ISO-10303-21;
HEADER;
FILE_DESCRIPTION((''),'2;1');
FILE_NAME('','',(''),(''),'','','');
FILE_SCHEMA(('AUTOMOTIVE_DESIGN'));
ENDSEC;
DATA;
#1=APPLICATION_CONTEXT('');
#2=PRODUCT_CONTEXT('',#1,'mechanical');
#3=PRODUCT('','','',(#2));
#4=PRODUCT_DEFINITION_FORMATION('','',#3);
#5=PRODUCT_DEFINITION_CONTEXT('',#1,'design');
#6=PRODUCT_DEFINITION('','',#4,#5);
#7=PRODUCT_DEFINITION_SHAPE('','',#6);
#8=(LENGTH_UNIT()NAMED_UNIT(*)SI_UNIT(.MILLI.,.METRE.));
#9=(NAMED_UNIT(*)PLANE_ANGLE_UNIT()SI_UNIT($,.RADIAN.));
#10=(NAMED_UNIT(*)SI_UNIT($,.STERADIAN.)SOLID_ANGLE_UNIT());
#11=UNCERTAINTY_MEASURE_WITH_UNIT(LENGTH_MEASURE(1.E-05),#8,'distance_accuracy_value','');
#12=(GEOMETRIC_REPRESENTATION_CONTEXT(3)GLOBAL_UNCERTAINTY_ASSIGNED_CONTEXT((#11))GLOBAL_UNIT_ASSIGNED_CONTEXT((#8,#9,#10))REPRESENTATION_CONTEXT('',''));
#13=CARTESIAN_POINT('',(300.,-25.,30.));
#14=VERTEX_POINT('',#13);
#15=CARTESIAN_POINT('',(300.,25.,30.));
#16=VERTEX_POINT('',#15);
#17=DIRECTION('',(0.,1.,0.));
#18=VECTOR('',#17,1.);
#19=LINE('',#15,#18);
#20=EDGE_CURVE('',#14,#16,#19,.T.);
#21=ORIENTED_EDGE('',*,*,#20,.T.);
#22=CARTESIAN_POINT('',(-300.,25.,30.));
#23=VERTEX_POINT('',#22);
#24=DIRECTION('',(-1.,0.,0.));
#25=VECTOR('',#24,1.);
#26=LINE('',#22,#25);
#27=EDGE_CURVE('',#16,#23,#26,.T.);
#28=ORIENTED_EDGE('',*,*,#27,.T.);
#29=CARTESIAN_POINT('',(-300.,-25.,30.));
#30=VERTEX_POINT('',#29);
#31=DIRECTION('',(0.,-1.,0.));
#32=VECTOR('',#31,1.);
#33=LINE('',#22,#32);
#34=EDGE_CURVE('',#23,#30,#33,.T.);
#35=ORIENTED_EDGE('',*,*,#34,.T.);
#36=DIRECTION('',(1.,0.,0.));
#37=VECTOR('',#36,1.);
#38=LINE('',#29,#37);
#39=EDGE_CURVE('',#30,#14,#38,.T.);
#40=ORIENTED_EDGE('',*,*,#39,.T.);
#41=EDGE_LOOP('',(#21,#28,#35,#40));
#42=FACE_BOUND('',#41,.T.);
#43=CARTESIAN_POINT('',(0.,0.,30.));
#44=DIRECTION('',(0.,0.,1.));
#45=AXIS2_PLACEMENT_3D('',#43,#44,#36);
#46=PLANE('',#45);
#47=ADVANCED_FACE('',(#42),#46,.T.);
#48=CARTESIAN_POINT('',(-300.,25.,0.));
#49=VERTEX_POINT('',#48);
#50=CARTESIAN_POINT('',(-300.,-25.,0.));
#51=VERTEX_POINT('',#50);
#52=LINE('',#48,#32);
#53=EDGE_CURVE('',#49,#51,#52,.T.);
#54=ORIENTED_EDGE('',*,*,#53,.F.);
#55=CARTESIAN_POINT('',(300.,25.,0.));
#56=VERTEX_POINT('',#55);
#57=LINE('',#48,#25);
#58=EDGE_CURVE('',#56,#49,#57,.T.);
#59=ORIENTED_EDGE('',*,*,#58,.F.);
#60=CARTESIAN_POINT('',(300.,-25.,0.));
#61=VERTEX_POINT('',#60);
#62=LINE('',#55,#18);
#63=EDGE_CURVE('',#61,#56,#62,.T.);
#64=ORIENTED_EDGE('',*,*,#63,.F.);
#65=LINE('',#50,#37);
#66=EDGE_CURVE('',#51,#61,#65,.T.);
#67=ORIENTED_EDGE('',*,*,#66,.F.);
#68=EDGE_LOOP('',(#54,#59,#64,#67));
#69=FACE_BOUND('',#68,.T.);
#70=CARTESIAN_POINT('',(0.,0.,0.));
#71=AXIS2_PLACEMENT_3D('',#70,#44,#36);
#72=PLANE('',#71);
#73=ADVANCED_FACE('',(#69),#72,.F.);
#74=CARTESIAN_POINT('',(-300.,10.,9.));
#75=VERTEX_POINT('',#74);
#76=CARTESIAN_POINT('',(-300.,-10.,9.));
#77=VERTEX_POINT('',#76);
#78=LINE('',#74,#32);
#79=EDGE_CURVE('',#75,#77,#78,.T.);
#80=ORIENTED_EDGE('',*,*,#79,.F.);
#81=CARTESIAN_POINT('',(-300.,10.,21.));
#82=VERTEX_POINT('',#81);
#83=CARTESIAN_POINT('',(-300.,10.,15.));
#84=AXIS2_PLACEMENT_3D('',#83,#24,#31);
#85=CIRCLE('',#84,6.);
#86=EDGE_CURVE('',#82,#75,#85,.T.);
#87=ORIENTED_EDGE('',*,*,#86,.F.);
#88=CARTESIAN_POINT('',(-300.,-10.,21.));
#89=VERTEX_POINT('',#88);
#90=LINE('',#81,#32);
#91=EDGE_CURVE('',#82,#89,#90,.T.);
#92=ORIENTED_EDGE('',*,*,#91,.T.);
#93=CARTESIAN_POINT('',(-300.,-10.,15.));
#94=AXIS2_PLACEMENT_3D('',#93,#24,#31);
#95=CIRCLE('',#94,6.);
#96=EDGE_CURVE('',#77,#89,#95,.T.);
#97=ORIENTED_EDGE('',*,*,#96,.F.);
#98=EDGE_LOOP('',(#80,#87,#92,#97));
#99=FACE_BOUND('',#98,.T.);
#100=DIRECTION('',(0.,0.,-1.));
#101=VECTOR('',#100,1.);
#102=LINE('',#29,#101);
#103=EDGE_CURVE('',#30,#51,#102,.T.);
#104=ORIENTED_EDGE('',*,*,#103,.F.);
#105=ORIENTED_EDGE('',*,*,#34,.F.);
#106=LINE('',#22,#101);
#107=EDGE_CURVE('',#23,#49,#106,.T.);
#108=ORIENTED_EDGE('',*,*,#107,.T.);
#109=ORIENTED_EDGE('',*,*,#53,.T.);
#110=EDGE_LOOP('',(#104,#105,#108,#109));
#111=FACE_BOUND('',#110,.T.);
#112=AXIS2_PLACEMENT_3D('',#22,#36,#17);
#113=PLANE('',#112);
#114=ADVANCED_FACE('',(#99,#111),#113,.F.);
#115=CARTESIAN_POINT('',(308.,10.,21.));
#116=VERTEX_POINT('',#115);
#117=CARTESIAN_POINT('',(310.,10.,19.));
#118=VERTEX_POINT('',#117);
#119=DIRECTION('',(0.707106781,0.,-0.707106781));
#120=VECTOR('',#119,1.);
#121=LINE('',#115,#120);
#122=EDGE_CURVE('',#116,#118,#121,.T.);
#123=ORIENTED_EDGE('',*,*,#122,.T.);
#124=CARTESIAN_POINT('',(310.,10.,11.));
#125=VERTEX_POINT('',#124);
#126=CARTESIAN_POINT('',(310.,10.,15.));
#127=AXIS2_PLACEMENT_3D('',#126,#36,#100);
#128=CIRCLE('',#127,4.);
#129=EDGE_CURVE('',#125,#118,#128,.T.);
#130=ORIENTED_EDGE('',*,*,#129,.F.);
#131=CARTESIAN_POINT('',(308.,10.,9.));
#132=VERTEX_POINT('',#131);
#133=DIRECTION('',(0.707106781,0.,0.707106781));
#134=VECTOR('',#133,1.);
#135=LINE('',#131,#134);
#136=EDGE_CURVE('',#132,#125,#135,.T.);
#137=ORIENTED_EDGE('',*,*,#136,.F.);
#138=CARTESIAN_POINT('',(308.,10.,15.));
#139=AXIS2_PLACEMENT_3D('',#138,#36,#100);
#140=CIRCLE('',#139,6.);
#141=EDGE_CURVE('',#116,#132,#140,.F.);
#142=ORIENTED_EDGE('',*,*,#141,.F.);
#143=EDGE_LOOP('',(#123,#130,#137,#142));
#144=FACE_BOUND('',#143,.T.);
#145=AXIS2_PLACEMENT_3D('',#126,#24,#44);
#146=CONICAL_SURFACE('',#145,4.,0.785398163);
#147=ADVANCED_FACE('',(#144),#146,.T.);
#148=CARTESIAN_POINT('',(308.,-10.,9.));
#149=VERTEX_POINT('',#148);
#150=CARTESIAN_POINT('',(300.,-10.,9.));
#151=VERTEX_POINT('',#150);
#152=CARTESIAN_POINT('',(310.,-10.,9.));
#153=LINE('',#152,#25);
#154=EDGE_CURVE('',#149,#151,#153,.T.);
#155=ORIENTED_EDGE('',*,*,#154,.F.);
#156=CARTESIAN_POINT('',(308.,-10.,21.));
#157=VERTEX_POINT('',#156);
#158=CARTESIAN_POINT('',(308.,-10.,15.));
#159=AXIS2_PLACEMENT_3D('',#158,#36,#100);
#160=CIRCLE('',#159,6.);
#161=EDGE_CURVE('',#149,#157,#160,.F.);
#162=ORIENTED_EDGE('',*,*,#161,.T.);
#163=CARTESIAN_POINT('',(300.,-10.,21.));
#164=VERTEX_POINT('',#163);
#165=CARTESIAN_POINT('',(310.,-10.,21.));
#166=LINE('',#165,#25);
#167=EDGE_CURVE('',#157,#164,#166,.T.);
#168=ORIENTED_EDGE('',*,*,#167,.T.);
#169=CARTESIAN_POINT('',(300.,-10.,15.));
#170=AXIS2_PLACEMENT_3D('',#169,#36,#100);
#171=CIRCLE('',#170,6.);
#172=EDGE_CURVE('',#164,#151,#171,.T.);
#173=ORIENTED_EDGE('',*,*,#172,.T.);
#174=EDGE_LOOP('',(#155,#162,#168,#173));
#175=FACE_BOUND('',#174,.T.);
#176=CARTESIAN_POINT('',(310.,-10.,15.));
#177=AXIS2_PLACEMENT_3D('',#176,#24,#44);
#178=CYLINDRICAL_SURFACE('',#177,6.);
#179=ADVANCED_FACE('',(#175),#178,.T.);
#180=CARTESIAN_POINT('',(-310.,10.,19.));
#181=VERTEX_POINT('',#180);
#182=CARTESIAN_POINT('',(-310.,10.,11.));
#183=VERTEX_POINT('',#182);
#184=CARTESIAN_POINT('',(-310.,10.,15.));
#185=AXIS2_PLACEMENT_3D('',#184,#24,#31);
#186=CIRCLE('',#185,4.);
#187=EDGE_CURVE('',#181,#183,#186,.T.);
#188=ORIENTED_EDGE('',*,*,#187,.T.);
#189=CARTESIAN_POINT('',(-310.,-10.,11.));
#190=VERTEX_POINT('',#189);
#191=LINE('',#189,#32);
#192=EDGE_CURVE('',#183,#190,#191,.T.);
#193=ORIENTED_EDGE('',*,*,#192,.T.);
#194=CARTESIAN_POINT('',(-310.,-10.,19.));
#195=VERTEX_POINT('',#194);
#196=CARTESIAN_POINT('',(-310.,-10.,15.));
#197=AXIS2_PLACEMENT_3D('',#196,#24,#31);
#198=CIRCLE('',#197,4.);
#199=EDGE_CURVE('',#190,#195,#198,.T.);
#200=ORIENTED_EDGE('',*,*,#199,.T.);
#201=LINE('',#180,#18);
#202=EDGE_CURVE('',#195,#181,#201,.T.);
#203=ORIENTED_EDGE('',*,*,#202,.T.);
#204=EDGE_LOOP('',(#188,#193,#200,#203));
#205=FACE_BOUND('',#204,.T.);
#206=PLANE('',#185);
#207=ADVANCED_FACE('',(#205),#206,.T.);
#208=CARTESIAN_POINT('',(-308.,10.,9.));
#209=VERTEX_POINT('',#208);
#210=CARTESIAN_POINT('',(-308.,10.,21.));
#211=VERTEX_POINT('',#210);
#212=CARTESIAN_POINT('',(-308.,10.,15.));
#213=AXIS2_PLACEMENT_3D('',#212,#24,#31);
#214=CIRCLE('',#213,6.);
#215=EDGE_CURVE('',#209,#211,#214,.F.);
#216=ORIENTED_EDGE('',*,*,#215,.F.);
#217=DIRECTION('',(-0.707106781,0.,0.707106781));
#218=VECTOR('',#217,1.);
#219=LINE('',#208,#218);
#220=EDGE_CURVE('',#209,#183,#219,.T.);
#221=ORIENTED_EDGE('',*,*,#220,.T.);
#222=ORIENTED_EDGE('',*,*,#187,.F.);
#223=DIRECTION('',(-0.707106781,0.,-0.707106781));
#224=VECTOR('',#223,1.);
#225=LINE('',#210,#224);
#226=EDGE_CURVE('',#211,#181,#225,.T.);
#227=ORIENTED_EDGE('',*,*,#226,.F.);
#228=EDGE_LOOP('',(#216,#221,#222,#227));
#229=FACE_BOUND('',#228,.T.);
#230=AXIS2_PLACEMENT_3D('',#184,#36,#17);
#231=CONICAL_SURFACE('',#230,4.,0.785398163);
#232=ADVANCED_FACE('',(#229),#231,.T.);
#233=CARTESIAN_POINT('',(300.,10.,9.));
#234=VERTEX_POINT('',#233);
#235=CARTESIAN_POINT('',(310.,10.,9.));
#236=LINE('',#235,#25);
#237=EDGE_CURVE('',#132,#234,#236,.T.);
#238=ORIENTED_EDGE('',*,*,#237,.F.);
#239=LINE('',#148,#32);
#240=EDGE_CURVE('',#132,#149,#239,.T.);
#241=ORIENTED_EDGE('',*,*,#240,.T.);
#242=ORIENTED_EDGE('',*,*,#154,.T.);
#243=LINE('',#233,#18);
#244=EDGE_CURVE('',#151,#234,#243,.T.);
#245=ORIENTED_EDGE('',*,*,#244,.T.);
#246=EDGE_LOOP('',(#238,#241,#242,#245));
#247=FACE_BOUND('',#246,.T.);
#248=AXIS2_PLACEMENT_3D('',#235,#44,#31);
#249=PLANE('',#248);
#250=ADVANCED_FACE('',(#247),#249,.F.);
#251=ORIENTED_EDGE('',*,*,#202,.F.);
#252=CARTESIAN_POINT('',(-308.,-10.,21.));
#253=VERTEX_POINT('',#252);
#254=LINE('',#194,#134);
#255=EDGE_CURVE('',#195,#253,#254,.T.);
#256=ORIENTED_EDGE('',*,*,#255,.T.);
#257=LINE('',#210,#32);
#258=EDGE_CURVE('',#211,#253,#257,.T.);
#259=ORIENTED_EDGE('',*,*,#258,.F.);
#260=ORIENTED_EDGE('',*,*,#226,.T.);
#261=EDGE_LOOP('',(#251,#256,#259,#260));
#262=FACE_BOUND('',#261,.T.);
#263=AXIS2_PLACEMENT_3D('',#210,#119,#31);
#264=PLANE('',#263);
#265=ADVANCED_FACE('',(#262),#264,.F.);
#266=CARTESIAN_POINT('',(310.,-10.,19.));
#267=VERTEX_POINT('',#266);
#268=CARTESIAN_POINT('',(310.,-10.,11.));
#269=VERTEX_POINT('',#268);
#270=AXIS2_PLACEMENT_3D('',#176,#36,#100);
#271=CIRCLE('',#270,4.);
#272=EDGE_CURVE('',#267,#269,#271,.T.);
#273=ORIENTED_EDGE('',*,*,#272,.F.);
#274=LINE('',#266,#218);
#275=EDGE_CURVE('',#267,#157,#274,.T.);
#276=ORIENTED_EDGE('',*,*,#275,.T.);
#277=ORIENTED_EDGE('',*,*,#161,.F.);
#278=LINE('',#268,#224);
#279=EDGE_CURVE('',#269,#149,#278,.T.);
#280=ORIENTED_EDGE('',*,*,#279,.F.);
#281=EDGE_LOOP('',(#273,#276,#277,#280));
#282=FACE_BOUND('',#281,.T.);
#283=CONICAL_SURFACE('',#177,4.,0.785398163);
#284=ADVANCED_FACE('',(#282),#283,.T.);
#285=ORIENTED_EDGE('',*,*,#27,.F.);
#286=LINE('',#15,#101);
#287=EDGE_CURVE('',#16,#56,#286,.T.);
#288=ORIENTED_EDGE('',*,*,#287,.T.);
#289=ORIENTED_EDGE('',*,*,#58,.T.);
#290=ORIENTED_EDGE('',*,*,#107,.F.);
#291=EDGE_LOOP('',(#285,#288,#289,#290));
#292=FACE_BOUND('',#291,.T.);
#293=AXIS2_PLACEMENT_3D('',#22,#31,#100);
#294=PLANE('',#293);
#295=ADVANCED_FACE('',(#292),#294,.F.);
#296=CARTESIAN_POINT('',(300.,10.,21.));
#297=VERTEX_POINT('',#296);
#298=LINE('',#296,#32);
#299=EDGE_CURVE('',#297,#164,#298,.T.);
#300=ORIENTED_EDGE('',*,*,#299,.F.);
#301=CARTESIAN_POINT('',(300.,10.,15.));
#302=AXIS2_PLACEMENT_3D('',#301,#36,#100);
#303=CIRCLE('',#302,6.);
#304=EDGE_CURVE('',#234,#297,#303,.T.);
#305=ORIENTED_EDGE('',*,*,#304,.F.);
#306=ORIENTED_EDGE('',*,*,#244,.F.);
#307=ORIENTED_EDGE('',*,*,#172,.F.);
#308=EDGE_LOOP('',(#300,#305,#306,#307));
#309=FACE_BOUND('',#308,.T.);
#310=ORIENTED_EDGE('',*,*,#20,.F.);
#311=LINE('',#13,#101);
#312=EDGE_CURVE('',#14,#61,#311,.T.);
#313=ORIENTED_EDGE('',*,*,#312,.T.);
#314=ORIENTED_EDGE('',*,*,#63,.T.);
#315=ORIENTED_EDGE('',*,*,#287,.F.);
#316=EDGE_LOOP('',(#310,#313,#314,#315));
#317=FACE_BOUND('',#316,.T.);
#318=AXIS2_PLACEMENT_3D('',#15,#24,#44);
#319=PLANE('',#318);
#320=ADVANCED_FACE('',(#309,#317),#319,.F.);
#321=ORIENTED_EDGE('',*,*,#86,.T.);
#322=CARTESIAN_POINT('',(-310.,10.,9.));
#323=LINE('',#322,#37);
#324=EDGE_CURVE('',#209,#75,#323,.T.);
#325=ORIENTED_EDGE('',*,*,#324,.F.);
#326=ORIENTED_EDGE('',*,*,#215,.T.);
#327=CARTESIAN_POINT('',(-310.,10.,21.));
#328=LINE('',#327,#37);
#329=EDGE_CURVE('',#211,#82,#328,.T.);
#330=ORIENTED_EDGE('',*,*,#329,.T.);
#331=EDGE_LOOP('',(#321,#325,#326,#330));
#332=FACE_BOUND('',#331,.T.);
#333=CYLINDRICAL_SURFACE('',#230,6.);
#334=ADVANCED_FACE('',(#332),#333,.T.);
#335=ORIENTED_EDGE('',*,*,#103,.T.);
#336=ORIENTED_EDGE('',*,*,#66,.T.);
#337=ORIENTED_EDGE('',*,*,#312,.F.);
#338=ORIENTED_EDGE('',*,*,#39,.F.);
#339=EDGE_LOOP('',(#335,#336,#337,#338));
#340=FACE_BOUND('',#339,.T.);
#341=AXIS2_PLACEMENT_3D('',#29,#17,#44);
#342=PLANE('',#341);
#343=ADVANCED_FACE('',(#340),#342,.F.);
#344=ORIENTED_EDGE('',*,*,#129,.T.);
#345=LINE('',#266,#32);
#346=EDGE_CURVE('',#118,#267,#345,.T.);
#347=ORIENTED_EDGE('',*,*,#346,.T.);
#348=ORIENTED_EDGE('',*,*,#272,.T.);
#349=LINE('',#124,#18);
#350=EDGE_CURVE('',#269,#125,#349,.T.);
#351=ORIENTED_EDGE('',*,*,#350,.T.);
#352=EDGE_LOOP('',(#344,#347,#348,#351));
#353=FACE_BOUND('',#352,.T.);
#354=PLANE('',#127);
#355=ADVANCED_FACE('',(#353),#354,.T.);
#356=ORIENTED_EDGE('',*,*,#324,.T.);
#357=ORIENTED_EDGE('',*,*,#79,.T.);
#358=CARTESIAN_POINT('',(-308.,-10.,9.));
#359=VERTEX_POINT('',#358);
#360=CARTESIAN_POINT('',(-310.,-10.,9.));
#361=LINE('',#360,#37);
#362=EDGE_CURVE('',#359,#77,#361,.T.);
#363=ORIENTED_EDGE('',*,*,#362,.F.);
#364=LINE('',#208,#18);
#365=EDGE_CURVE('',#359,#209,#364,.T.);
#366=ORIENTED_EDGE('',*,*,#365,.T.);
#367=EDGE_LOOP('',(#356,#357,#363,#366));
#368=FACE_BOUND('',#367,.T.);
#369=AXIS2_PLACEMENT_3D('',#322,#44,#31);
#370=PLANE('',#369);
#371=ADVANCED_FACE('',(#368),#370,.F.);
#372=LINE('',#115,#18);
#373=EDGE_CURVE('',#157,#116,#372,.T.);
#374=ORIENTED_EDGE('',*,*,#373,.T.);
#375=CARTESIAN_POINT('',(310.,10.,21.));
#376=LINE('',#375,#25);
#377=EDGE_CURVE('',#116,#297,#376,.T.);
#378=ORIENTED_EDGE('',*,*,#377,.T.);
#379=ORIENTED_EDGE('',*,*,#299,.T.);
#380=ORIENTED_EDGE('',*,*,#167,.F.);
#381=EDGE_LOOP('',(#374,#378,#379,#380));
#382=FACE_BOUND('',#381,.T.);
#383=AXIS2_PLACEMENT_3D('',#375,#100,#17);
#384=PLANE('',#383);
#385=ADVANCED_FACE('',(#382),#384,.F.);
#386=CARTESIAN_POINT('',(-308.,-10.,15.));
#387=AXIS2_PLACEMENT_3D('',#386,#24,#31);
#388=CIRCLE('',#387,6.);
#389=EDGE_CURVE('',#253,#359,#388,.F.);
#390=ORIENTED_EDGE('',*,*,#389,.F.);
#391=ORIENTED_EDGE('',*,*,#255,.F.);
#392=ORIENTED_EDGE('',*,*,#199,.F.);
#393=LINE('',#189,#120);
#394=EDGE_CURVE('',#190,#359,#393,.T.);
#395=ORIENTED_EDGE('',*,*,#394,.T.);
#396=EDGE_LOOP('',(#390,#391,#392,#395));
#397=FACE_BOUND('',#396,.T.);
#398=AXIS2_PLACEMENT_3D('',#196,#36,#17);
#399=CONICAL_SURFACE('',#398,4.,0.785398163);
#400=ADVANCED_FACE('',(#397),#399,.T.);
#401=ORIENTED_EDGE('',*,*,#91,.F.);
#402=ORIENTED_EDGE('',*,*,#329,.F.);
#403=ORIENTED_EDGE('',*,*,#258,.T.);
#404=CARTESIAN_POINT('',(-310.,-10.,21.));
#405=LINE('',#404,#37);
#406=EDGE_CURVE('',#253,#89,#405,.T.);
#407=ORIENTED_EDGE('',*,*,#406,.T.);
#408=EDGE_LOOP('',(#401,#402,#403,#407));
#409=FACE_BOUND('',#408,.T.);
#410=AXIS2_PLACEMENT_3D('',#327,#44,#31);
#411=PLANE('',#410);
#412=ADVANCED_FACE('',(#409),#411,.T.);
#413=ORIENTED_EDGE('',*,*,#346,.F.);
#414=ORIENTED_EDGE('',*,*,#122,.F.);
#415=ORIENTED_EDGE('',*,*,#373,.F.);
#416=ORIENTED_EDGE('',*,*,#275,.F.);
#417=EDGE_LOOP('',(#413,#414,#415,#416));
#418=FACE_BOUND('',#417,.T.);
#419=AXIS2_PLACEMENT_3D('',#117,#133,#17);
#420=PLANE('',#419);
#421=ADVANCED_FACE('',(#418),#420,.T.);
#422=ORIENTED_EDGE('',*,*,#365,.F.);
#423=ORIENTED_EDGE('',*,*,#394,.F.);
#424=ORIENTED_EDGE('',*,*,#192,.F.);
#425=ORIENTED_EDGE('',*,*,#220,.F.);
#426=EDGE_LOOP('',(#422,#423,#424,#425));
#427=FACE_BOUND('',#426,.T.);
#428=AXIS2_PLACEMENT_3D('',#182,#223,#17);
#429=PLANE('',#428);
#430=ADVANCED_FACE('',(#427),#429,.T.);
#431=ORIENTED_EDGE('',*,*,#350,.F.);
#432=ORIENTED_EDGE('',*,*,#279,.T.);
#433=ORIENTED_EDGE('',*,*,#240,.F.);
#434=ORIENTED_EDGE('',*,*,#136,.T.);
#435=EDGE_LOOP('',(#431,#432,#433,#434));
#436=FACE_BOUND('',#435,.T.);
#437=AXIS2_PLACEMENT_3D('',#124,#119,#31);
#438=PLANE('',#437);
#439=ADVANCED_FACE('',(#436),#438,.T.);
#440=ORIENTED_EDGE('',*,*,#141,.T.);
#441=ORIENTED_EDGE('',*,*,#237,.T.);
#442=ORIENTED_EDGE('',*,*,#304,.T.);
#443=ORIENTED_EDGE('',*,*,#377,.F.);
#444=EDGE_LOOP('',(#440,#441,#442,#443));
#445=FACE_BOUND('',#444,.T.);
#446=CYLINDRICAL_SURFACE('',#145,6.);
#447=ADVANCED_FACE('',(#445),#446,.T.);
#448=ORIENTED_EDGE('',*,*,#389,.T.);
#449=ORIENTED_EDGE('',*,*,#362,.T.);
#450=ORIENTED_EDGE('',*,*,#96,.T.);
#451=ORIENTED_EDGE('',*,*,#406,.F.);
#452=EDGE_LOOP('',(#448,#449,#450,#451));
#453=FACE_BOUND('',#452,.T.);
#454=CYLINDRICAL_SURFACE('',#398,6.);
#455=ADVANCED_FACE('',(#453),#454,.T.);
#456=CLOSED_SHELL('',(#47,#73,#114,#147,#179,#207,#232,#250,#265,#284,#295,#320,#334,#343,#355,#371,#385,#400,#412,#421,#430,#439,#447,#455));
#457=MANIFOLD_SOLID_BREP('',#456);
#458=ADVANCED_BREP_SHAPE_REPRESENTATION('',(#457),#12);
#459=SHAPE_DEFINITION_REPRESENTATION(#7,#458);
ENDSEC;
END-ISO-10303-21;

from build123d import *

# Parameters (mm, degrees)
ESQUISSE1_W        = 600
ESQUISSE1_H        = 50
BOSS_EXTRU_1_DEPTH = 30
BOSS_EXTRU_2_DEPTH = 10
CHANFREIN1_SIZE    = 2
BOSS_EXTRU_3_DEPTH = 10
CHANFREIN2_SIZE    = 2


with BuildPart() as part:
    # Esquisse1 → Boss.-Extru.1 (new body)
    with BuildSketch(Plane.XY):
        Rectangle(ESQUISSE1_W, ESQUISSE1_H)
    extrude(amount=BOSS_EXTRU_1_DEPTH)

    # Esquisse2 → Boss.-Extru.2 (add)
    with BuildSketch(Plane(origin=(300, 0, 0), x_dir=(0, 0, -1), z_dir=(1, 0, 0))):
        with BuildLine():
            Line((-9, 10), (-9, -10))
            ThreePointArc((-9, -10), (-15, -16), (-21, -10))
            Line((-21, -10), (-21, 10))
            ThreePointArc((-21, 10), (-15, 16), (-9, 10))
        make_face()
    extrude(amount=BOSS_EXTRU_2_DEPTH)

    # Chanfrein1
    chanfrein1_edges = [part.edges().sort_by_distance(p)[0] for p in [
        (310, 16, 15),
        (310, 0, 21),
        (310, -16, 15),
        (310, 0, 9),
    ]]
    chamfer(chanfrein1_edges, length=CHANFREIN1_SIZE)

    # Esquisse3 → Boss.-Extru.3 (add)
    with BuildSketch(Plane.ZY.offset(300)):
        with BuildLine():
            Line((21, 10), (21, -10))
            ThreePointArc((21, -10), (15, -16), (9, -10))
            Line((9, -10), (9, 10))
            ThreePointArc((9, 10), (15, 16), (21, 10))
        make_face()
    extrude(amount=BOSS_EXTRU_3_DEPTH)

    # Chanfrein2
    chanfrein2_edges = [part.edges().sort_by_distance(p)[0] for p in [
        (-310, 0, 21),
        (-310, 16, 15),
        (-310, 0, 9),
        (-310, -16, 15),
    ]]
    chamfer(chanfrein2_edges, length=CHANFREIN2_SIZE)


solid = part.part
